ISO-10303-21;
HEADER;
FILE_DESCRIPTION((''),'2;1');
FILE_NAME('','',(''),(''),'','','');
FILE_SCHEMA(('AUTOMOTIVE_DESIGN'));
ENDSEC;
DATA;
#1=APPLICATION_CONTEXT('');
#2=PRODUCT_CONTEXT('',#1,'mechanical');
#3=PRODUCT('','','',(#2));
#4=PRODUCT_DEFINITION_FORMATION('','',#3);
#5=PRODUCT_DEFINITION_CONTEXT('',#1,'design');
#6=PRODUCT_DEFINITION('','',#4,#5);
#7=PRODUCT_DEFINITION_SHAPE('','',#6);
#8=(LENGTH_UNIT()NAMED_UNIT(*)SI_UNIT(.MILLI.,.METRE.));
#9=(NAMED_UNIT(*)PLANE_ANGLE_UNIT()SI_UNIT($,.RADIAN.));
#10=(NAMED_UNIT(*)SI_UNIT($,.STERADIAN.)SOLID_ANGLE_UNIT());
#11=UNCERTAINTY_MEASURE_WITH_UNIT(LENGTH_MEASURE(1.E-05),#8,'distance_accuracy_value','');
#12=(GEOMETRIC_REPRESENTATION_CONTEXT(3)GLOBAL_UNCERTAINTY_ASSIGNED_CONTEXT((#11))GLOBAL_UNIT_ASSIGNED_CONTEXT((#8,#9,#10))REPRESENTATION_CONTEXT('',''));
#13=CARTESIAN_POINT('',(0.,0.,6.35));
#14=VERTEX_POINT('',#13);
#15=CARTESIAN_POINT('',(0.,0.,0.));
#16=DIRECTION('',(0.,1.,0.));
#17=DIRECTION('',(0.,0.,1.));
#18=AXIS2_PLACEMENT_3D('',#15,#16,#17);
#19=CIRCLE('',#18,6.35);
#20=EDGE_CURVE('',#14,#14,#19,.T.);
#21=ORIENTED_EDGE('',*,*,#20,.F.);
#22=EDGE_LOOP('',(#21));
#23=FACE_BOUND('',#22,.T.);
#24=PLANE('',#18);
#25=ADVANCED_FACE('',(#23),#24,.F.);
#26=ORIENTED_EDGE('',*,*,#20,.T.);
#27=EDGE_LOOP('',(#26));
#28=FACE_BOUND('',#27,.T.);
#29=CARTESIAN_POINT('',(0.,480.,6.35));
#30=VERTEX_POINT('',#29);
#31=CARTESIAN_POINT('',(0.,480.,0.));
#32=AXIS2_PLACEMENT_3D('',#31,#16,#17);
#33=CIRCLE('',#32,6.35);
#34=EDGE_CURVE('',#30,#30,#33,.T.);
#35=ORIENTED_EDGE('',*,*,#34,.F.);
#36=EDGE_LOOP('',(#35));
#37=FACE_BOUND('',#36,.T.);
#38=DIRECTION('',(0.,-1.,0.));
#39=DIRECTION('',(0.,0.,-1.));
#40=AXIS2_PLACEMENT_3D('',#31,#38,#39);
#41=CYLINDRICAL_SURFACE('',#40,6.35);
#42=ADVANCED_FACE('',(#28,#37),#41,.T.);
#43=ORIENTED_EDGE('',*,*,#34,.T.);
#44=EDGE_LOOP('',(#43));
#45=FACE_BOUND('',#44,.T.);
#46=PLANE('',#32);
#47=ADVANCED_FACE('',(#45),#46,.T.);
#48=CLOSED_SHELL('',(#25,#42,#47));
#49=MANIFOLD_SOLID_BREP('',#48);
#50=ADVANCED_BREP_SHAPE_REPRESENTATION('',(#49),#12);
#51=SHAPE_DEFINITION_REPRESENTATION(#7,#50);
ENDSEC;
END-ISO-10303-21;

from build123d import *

# Parameters (mm, degrees)
CROQUIS1_R = 6.35


with BuildPart() as part:
    # Barrer1: sweep along a path in Croquis2
    with BuildLine(Plane.XY) as barrer1_path:
        Line((0, 0), (0, 480))
    # Croquis1 → Barrer1 (sweep)
    with BuildSketch(Plane(origin=(0, 0, 0), x_dir=(1, 0, 0), z_dir=(0, 1, 0))):
        Circle(CROQUIS1_R)
    sweep(path=barrer1_path.line)


solid = part.part
